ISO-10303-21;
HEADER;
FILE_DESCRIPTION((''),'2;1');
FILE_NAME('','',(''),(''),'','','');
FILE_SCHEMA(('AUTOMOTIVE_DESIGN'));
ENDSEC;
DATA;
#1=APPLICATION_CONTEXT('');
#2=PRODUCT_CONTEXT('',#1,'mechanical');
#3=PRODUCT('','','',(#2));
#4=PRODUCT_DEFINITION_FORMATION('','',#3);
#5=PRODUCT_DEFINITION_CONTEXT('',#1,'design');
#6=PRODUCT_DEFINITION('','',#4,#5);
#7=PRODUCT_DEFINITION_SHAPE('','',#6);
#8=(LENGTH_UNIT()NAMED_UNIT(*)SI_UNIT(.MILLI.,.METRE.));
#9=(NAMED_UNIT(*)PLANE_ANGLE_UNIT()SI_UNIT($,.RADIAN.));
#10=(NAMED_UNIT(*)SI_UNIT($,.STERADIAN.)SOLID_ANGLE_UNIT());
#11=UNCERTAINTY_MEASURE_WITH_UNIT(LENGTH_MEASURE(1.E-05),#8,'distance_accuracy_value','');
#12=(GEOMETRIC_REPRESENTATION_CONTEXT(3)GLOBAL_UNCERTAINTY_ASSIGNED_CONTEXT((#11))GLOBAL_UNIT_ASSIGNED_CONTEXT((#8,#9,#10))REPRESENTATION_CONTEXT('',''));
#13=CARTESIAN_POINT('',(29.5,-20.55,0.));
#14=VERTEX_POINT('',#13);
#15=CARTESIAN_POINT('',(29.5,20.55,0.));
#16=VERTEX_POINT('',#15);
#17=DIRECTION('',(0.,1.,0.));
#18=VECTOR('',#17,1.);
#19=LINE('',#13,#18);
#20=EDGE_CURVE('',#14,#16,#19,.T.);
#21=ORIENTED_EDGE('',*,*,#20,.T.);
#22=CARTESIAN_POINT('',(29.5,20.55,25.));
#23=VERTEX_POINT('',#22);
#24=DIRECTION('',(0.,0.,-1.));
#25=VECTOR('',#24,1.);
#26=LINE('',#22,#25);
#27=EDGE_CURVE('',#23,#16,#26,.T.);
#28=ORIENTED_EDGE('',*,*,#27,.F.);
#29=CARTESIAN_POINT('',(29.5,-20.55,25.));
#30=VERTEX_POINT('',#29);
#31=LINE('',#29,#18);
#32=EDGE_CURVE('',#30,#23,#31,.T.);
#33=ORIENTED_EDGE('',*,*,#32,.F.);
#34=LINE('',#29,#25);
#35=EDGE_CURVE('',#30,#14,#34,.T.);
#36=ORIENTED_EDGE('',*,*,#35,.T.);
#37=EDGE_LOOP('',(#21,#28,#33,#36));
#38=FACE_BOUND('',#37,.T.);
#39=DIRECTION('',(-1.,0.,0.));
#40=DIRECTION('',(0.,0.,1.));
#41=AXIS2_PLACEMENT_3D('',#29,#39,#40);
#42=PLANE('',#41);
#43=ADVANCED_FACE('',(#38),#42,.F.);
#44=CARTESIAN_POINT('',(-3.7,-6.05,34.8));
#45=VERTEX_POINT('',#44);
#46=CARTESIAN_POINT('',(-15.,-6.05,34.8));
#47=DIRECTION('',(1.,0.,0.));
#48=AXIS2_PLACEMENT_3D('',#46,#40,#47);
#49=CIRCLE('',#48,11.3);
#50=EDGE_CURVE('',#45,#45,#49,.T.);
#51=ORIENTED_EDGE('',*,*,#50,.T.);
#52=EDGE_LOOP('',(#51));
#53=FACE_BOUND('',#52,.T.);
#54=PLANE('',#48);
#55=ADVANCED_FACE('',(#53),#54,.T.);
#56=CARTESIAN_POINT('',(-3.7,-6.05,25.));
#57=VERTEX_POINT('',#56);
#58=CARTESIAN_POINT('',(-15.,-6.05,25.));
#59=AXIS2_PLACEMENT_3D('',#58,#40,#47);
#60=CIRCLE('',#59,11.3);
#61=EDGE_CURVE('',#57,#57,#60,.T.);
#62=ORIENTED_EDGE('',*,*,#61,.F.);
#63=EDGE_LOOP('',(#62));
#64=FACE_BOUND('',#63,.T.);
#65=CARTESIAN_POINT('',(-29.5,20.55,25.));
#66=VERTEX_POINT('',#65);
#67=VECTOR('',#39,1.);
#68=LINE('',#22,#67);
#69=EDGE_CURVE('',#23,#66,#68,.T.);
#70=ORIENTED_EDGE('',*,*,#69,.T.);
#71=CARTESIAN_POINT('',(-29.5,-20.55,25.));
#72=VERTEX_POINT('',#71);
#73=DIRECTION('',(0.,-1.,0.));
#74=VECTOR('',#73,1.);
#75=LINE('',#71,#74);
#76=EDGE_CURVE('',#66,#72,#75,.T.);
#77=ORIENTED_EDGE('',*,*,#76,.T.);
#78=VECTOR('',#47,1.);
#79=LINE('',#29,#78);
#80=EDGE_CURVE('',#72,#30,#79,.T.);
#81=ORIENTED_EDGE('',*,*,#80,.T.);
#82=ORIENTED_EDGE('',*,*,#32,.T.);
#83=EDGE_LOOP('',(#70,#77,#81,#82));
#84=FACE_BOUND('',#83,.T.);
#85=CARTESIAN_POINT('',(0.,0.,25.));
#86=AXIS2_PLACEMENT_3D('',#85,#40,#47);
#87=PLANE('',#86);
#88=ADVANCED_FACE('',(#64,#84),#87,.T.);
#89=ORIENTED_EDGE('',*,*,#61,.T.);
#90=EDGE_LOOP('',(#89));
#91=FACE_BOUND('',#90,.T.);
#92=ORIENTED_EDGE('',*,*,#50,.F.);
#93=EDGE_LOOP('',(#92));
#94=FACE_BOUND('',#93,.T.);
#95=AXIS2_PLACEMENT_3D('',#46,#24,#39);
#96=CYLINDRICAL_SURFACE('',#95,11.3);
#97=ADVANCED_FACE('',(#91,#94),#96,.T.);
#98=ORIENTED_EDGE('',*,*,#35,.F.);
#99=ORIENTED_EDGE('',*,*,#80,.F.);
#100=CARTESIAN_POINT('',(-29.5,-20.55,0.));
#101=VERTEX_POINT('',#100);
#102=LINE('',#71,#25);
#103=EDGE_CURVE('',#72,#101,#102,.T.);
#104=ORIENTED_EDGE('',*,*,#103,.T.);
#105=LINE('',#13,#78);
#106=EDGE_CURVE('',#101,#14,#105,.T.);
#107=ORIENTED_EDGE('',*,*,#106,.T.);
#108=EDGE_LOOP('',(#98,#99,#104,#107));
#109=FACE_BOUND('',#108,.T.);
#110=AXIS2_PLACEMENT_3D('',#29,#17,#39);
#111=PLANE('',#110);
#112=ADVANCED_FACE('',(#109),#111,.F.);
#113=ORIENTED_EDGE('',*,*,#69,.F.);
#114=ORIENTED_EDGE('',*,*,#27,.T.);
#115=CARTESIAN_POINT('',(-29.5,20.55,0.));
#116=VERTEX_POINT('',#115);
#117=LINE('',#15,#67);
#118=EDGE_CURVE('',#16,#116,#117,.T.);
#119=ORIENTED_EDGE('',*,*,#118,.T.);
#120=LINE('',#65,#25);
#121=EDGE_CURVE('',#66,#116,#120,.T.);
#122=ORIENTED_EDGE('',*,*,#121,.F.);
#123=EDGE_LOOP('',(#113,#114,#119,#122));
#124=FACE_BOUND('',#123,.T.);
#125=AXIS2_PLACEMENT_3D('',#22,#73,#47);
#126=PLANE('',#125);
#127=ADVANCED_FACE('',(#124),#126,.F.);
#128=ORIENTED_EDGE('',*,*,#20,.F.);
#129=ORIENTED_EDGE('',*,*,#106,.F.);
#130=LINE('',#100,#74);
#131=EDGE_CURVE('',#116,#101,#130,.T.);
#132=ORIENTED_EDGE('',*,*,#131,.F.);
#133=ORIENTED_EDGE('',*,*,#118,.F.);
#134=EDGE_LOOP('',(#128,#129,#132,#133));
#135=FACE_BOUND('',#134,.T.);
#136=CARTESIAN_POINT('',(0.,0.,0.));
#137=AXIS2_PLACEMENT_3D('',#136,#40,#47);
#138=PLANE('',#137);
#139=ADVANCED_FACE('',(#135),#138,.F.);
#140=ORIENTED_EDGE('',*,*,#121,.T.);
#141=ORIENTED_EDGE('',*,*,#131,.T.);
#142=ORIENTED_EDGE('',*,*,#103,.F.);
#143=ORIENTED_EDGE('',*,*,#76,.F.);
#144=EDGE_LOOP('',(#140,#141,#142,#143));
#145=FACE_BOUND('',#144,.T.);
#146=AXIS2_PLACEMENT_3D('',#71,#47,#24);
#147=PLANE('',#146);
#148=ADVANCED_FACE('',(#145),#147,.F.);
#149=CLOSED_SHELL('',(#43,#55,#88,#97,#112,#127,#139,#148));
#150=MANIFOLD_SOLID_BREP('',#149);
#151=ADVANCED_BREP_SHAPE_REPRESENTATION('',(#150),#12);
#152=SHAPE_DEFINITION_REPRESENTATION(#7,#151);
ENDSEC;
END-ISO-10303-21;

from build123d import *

# Parameters (mm, degrees)
ESBO_O1_W                = 59
ESBO_O1_H                = 41.1
RESSALTO_EXTRUS_O1_DEPTH = 25
ESBO_O2_R                = 11.3
RESSALTO_EXTRUS_O2_DEPTH = 9.8


with BuildPart() as part:
    # Esboço1 → Ressalto-extrusão1 (new body)
    with BuildSketch(Plane.XY):
        Rectangle(ESBO_O1_W, ESBO_O1_H)
    extrude(amount=RESSALTO_EXTRUS_O1_DEPTH)

    # Esboço2 → Ressalto-extrusão2 (add)
    with BuildSketch(Plane.XY.offset(25)):
        with Locations((-15, -6.05)):
            Circle(ESBO_O2_R)
    extrude(amount=RESSALTO_EXTRUS_O2_DEPTH)


solid = part.part
